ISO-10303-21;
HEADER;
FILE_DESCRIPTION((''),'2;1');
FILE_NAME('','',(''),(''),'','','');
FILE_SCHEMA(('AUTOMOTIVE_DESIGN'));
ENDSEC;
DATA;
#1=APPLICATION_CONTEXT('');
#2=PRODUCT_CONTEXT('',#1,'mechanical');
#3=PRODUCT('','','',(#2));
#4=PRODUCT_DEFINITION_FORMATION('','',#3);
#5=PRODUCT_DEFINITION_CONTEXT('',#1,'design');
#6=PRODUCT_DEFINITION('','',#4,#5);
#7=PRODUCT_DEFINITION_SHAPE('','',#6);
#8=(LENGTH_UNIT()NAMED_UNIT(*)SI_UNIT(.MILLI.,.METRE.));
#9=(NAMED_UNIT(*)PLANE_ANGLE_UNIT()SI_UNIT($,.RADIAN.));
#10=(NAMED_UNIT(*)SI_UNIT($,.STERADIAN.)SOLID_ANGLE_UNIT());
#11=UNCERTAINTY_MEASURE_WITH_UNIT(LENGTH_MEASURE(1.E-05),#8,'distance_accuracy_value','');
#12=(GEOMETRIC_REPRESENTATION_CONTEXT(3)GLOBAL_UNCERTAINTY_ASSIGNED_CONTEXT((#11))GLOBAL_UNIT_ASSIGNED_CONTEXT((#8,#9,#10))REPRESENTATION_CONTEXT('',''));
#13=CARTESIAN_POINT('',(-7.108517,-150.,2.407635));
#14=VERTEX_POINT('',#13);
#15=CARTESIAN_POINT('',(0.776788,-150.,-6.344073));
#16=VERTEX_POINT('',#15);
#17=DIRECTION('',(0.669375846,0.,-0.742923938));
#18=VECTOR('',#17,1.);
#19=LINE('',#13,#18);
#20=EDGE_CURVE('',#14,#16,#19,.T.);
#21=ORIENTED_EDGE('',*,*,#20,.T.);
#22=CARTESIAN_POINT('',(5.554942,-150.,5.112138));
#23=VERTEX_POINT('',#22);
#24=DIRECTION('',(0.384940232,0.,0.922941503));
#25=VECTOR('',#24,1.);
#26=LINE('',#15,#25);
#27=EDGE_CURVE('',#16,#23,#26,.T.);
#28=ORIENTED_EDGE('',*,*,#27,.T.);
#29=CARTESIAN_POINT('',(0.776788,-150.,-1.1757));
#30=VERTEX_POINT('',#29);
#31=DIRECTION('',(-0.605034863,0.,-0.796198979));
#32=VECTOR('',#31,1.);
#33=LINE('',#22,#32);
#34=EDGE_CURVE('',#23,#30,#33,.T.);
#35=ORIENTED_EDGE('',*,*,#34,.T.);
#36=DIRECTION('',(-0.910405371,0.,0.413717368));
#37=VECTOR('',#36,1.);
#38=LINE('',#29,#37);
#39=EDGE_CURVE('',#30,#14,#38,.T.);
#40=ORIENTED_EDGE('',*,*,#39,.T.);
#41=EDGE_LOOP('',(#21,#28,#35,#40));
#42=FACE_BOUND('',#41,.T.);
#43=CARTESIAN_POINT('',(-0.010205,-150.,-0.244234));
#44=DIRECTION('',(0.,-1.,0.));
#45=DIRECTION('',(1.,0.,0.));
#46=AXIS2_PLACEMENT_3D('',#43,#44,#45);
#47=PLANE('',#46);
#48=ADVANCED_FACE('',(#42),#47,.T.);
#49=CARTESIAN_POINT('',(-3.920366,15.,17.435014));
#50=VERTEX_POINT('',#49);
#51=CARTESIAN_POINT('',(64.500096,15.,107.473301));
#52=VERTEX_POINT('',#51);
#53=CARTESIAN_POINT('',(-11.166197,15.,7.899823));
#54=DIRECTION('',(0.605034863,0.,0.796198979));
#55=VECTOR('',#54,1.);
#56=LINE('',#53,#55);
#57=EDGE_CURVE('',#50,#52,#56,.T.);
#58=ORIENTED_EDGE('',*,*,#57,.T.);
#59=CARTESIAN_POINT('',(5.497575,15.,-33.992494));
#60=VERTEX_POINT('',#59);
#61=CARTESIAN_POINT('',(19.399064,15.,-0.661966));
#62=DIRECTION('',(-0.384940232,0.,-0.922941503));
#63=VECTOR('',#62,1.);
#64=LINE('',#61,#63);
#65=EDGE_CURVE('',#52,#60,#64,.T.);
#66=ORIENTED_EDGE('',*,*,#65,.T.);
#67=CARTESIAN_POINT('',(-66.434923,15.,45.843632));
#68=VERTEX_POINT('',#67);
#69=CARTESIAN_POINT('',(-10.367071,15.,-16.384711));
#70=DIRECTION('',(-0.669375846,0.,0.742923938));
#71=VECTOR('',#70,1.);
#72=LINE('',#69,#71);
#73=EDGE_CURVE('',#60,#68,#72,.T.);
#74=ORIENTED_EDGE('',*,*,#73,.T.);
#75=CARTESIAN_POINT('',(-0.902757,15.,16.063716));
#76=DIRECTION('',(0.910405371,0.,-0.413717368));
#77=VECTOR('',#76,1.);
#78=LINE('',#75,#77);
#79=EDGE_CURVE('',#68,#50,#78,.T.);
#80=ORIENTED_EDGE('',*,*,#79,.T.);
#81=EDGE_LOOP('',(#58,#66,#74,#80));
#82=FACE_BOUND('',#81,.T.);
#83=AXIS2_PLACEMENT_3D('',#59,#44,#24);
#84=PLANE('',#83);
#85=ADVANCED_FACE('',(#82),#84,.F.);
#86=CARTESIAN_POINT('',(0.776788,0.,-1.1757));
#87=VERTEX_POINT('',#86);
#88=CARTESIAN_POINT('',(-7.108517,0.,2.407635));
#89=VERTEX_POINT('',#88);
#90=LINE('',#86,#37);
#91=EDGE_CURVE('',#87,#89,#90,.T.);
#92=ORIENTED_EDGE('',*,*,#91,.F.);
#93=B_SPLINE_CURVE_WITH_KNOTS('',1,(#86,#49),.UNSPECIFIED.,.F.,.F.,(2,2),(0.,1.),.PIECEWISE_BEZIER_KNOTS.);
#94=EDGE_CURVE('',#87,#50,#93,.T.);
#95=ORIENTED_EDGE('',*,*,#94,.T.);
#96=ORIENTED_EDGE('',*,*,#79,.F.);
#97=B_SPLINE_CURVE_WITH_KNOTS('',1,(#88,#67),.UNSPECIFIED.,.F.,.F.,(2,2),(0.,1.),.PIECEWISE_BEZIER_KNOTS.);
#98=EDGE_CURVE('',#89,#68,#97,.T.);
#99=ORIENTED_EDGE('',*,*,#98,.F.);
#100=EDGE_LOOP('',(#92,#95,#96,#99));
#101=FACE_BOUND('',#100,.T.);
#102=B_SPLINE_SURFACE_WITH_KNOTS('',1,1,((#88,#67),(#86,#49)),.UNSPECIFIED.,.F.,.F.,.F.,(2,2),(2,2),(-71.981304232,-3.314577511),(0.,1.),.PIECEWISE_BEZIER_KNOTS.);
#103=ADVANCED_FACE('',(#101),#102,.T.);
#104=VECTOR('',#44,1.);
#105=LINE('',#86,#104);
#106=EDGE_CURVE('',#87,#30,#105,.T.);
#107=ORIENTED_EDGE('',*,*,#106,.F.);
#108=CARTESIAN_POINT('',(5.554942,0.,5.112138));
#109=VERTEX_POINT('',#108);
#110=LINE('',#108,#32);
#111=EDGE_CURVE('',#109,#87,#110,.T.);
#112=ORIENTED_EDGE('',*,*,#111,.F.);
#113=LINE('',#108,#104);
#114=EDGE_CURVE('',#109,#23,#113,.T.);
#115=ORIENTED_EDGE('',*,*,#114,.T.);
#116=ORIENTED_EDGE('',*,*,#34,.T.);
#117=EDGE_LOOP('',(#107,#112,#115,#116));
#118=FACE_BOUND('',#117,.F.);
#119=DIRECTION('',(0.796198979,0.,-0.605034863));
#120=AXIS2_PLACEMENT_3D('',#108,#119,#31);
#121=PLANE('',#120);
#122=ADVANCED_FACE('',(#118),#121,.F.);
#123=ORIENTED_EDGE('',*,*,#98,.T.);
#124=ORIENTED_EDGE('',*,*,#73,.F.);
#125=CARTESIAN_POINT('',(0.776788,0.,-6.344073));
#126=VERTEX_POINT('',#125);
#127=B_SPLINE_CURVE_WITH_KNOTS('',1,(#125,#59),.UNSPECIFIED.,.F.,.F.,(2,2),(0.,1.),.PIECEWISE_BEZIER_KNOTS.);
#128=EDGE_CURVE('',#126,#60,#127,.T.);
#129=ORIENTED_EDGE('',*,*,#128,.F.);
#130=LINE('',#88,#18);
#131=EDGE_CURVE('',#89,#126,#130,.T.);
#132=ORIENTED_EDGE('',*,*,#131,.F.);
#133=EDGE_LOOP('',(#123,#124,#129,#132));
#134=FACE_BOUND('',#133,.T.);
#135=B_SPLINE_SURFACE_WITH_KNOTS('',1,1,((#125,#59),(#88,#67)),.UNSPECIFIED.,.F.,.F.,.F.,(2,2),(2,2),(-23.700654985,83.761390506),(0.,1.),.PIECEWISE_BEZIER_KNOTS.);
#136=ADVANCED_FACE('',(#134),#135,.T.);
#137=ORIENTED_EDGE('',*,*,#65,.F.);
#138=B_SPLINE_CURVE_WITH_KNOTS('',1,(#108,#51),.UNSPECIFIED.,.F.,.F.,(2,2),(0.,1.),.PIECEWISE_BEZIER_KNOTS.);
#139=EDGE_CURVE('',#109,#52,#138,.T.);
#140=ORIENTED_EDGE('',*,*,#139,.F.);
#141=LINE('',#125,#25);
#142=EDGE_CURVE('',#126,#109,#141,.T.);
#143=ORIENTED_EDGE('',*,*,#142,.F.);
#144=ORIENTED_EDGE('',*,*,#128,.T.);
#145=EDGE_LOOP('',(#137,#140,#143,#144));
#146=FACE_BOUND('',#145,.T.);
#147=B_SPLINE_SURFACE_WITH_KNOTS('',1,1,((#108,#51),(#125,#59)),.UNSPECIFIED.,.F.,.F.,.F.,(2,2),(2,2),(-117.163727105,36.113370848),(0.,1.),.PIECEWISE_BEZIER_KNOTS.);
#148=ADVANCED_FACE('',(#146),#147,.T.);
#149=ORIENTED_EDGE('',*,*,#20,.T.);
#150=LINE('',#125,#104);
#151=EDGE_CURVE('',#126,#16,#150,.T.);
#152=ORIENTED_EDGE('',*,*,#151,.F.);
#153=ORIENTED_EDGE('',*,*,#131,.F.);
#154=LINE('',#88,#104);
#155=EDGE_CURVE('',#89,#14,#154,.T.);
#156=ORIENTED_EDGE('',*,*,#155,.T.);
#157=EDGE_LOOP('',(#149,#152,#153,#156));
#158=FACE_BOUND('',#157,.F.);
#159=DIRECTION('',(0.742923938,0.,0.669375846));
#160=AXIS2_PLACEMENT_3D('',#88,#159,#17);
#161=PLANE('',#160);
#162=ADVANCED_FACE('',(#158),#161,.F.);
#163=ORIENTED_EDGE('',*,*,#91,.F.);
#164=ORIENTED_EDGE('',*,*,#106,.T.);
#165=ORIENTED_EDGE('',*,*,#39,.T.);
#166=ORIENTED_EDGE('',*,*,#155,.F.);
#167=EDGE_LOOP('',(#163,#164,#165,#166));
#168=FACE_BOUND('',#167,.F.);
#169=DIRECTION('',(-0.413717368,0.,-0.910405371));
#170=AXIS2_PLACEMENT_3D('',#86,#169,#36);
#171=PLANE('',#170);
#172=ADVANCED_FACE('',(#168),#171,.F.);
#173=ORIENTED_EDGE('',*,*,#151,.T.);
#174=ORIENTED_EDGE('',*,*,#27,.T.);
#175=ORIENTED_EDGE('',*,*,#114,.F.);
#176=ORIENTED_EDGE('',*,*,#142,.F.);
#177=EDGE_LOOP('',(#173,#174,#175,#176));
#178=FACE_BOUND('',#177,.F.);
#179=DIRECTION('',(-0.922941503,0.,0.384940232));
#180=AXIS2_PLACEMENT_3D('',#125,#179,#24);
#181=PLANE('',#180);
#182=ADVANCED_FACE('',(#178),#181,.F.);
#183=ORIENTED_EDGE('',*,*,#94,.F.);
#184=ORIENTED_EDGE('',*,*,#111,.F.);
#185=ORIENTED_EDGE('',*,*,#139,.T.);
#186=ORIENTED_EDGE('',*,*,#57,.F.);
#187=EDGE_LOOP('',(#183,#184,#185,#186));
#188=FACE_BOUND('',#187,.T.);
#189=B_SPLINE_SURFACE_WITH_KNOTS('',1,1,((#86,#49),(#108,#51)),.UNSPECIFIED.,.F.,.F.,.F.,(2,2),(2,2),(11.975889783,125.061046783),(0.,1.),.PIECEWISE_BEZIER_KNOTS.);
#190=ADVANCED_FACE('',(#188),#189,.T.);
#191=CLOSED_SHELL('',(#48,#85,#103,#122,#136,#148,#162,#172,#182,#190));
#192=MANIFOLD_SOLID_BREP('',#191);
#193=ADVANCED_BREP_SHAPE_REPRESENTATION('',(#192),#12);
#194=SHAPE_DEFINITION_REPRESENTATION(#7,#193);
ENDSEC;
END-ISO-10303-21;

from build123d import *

# Parameters (mm, degrees)
F1_DEPTH = 150
F2_DEPTH = 15
F2_TAPER = -45


with BuildPart() as f1:
    # F0 (on Front) → F1 (new body)
    with BuildSketch(Plane.XZ):
        Polygon((5.5549415993, 5.1121377619), (0.7767878706, -1.1757001048), (-7.1085173404, 2.4076352129), (0.7767878706, -6.34407287), align=None)
    extrude(amount=F1_DEPTH)

    # F1_face (on face) → F2 (join)
    with BuildSketch(Plane(origin=(-0.2589292902, 0, -1.3638932288), x_dir=(1, 0, 0), z_dir=(0, 1, 0))):
        Polygon((1.0357171608, 4.9801796412), (-6.8495880502, -3.7715284417), (1.0357171608, -0.188193124), (5.8138708894, -6.4760309907), align=None)
    extrude(amount=F2_DEPTH, taper=F2_TAPER)


solid = f1.part
